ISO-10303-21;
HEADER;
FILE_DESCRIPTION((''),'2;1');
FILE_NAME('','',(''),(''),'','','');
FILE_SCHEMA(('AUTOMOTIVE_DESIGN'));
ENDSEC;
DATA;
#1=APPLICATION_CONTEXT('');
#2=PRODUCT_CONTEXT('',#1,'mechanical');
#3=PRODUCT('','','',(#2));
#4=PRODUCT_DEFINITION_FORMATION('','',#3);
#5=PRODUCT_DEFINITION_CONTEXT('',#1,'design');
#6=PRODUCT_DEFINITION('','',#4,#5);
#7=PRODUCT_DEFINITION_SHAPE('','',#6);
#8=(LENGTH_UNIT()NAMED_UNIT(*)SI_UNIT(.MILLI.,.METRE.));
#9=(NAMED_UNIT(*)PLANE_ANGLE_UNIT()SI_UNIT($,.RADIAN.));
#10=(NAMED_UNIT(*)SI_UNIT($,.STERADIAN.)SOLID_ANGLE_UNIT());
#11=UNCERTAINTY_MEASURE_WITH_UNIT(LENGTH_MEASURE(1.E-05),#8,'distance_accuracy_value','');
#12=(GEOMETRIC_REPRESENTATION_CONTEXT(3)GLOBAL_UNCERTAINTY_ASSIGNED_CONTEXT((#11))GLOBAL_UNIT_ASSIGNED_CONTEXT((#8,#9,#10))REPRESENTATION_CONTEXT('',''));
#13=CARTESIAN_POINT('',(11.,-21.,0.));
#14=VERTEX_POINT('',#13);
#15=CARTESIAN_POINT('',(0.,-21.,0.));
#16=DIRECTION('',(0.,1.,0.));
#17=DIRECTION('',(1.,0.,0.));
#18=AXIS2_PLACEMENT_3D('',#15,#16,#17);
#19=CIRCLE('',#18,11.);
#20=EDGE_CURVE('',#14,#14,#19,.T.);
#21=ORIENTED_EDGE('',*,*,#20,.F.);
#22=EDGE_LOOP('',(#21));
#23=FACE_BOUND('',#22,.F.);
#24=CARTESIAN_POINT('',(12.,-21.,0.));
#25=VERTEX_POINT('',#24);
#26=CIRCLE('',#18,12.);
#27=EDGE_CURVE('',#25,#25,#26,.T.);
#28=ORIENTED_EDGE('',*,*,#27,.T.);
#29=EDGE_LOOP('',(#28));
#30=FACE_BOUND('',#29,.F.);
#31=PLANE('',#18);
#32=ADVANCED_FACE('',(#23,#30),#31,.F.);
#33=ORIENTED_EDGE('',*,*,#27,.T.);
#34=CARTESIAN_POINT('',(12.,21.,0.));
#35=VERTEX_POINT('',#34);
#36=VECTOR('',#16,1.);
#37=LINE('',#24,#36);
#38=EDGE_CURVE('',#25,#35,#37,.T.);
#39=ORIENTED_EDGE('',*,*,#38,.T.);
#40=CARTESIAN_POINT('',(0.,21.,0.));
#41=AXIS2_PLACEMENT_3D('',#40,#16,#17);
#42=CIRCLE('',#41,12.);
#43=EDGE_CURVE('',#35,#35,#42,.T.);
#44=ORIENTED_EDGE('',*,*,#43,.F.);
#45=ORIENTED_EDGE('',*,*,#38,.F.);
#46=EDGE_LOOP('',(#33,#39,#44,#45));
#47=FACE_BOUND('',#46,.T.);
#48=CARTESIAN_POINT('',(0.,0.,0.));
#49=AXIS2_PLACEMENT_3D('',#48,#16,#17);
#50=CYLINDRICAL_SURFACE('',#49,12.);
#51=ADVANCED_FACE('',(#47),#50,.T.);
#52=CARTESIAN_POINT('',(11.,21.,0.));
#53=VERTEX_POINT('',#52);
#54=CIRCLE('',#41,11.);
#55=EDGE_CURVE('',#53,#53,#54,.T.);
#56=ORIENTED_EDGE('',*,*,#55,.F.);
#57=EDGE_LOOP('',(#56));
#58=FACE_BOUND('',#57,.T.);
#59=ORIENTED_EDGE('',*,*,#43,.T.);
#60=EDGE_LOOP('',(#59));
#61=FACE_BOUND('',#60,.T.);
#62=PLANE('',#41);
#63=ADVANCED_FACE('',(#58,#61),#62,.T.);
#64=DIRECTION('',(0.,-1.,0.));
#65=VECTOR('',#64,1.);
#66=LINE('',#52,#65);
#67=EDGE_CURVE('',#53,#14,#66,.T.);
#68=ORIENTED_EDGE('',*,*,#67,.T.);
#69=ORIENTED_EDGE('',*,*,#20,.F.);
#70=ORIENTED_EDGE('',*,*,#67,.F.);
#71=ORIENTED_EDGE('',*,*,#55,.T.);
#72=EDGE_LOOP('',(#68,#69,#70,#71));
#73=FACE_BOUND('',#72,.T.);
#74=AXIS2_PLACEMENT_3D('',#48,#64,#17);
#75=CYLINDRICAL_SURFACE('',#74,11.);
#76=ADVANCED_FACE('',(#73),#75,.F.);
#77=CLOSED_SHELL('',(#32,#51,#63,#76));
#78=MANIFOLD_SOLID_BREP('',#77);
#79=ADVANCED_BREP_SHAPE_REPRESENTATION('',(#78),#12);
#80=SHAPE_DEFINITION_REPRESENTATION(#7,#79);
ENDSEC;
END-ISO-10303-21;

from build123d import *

# Parameters (mm, degrees)
SKETCH1_R           = 12
SKETCH1_R_2         = 11
BOSS_EXTRUDE1_DEPTH = 21


with BuildPart() as part:
    # Sketch1 → Boss-Extrude1 (new body, symmetric)
    with BuildSketch(Plane(origin=(0, 0, 0), x_dir=(1, 0, 0), z_dir=(0, 1, 0))):
        Circle(SKETCH1_R)
        Circle(SKETCH1_R_2, mode=Mode.SUBTRACT)
    extrude(amount=BOSS_EXTRUDE1_DEPTH, both=True)


solid = part.part
